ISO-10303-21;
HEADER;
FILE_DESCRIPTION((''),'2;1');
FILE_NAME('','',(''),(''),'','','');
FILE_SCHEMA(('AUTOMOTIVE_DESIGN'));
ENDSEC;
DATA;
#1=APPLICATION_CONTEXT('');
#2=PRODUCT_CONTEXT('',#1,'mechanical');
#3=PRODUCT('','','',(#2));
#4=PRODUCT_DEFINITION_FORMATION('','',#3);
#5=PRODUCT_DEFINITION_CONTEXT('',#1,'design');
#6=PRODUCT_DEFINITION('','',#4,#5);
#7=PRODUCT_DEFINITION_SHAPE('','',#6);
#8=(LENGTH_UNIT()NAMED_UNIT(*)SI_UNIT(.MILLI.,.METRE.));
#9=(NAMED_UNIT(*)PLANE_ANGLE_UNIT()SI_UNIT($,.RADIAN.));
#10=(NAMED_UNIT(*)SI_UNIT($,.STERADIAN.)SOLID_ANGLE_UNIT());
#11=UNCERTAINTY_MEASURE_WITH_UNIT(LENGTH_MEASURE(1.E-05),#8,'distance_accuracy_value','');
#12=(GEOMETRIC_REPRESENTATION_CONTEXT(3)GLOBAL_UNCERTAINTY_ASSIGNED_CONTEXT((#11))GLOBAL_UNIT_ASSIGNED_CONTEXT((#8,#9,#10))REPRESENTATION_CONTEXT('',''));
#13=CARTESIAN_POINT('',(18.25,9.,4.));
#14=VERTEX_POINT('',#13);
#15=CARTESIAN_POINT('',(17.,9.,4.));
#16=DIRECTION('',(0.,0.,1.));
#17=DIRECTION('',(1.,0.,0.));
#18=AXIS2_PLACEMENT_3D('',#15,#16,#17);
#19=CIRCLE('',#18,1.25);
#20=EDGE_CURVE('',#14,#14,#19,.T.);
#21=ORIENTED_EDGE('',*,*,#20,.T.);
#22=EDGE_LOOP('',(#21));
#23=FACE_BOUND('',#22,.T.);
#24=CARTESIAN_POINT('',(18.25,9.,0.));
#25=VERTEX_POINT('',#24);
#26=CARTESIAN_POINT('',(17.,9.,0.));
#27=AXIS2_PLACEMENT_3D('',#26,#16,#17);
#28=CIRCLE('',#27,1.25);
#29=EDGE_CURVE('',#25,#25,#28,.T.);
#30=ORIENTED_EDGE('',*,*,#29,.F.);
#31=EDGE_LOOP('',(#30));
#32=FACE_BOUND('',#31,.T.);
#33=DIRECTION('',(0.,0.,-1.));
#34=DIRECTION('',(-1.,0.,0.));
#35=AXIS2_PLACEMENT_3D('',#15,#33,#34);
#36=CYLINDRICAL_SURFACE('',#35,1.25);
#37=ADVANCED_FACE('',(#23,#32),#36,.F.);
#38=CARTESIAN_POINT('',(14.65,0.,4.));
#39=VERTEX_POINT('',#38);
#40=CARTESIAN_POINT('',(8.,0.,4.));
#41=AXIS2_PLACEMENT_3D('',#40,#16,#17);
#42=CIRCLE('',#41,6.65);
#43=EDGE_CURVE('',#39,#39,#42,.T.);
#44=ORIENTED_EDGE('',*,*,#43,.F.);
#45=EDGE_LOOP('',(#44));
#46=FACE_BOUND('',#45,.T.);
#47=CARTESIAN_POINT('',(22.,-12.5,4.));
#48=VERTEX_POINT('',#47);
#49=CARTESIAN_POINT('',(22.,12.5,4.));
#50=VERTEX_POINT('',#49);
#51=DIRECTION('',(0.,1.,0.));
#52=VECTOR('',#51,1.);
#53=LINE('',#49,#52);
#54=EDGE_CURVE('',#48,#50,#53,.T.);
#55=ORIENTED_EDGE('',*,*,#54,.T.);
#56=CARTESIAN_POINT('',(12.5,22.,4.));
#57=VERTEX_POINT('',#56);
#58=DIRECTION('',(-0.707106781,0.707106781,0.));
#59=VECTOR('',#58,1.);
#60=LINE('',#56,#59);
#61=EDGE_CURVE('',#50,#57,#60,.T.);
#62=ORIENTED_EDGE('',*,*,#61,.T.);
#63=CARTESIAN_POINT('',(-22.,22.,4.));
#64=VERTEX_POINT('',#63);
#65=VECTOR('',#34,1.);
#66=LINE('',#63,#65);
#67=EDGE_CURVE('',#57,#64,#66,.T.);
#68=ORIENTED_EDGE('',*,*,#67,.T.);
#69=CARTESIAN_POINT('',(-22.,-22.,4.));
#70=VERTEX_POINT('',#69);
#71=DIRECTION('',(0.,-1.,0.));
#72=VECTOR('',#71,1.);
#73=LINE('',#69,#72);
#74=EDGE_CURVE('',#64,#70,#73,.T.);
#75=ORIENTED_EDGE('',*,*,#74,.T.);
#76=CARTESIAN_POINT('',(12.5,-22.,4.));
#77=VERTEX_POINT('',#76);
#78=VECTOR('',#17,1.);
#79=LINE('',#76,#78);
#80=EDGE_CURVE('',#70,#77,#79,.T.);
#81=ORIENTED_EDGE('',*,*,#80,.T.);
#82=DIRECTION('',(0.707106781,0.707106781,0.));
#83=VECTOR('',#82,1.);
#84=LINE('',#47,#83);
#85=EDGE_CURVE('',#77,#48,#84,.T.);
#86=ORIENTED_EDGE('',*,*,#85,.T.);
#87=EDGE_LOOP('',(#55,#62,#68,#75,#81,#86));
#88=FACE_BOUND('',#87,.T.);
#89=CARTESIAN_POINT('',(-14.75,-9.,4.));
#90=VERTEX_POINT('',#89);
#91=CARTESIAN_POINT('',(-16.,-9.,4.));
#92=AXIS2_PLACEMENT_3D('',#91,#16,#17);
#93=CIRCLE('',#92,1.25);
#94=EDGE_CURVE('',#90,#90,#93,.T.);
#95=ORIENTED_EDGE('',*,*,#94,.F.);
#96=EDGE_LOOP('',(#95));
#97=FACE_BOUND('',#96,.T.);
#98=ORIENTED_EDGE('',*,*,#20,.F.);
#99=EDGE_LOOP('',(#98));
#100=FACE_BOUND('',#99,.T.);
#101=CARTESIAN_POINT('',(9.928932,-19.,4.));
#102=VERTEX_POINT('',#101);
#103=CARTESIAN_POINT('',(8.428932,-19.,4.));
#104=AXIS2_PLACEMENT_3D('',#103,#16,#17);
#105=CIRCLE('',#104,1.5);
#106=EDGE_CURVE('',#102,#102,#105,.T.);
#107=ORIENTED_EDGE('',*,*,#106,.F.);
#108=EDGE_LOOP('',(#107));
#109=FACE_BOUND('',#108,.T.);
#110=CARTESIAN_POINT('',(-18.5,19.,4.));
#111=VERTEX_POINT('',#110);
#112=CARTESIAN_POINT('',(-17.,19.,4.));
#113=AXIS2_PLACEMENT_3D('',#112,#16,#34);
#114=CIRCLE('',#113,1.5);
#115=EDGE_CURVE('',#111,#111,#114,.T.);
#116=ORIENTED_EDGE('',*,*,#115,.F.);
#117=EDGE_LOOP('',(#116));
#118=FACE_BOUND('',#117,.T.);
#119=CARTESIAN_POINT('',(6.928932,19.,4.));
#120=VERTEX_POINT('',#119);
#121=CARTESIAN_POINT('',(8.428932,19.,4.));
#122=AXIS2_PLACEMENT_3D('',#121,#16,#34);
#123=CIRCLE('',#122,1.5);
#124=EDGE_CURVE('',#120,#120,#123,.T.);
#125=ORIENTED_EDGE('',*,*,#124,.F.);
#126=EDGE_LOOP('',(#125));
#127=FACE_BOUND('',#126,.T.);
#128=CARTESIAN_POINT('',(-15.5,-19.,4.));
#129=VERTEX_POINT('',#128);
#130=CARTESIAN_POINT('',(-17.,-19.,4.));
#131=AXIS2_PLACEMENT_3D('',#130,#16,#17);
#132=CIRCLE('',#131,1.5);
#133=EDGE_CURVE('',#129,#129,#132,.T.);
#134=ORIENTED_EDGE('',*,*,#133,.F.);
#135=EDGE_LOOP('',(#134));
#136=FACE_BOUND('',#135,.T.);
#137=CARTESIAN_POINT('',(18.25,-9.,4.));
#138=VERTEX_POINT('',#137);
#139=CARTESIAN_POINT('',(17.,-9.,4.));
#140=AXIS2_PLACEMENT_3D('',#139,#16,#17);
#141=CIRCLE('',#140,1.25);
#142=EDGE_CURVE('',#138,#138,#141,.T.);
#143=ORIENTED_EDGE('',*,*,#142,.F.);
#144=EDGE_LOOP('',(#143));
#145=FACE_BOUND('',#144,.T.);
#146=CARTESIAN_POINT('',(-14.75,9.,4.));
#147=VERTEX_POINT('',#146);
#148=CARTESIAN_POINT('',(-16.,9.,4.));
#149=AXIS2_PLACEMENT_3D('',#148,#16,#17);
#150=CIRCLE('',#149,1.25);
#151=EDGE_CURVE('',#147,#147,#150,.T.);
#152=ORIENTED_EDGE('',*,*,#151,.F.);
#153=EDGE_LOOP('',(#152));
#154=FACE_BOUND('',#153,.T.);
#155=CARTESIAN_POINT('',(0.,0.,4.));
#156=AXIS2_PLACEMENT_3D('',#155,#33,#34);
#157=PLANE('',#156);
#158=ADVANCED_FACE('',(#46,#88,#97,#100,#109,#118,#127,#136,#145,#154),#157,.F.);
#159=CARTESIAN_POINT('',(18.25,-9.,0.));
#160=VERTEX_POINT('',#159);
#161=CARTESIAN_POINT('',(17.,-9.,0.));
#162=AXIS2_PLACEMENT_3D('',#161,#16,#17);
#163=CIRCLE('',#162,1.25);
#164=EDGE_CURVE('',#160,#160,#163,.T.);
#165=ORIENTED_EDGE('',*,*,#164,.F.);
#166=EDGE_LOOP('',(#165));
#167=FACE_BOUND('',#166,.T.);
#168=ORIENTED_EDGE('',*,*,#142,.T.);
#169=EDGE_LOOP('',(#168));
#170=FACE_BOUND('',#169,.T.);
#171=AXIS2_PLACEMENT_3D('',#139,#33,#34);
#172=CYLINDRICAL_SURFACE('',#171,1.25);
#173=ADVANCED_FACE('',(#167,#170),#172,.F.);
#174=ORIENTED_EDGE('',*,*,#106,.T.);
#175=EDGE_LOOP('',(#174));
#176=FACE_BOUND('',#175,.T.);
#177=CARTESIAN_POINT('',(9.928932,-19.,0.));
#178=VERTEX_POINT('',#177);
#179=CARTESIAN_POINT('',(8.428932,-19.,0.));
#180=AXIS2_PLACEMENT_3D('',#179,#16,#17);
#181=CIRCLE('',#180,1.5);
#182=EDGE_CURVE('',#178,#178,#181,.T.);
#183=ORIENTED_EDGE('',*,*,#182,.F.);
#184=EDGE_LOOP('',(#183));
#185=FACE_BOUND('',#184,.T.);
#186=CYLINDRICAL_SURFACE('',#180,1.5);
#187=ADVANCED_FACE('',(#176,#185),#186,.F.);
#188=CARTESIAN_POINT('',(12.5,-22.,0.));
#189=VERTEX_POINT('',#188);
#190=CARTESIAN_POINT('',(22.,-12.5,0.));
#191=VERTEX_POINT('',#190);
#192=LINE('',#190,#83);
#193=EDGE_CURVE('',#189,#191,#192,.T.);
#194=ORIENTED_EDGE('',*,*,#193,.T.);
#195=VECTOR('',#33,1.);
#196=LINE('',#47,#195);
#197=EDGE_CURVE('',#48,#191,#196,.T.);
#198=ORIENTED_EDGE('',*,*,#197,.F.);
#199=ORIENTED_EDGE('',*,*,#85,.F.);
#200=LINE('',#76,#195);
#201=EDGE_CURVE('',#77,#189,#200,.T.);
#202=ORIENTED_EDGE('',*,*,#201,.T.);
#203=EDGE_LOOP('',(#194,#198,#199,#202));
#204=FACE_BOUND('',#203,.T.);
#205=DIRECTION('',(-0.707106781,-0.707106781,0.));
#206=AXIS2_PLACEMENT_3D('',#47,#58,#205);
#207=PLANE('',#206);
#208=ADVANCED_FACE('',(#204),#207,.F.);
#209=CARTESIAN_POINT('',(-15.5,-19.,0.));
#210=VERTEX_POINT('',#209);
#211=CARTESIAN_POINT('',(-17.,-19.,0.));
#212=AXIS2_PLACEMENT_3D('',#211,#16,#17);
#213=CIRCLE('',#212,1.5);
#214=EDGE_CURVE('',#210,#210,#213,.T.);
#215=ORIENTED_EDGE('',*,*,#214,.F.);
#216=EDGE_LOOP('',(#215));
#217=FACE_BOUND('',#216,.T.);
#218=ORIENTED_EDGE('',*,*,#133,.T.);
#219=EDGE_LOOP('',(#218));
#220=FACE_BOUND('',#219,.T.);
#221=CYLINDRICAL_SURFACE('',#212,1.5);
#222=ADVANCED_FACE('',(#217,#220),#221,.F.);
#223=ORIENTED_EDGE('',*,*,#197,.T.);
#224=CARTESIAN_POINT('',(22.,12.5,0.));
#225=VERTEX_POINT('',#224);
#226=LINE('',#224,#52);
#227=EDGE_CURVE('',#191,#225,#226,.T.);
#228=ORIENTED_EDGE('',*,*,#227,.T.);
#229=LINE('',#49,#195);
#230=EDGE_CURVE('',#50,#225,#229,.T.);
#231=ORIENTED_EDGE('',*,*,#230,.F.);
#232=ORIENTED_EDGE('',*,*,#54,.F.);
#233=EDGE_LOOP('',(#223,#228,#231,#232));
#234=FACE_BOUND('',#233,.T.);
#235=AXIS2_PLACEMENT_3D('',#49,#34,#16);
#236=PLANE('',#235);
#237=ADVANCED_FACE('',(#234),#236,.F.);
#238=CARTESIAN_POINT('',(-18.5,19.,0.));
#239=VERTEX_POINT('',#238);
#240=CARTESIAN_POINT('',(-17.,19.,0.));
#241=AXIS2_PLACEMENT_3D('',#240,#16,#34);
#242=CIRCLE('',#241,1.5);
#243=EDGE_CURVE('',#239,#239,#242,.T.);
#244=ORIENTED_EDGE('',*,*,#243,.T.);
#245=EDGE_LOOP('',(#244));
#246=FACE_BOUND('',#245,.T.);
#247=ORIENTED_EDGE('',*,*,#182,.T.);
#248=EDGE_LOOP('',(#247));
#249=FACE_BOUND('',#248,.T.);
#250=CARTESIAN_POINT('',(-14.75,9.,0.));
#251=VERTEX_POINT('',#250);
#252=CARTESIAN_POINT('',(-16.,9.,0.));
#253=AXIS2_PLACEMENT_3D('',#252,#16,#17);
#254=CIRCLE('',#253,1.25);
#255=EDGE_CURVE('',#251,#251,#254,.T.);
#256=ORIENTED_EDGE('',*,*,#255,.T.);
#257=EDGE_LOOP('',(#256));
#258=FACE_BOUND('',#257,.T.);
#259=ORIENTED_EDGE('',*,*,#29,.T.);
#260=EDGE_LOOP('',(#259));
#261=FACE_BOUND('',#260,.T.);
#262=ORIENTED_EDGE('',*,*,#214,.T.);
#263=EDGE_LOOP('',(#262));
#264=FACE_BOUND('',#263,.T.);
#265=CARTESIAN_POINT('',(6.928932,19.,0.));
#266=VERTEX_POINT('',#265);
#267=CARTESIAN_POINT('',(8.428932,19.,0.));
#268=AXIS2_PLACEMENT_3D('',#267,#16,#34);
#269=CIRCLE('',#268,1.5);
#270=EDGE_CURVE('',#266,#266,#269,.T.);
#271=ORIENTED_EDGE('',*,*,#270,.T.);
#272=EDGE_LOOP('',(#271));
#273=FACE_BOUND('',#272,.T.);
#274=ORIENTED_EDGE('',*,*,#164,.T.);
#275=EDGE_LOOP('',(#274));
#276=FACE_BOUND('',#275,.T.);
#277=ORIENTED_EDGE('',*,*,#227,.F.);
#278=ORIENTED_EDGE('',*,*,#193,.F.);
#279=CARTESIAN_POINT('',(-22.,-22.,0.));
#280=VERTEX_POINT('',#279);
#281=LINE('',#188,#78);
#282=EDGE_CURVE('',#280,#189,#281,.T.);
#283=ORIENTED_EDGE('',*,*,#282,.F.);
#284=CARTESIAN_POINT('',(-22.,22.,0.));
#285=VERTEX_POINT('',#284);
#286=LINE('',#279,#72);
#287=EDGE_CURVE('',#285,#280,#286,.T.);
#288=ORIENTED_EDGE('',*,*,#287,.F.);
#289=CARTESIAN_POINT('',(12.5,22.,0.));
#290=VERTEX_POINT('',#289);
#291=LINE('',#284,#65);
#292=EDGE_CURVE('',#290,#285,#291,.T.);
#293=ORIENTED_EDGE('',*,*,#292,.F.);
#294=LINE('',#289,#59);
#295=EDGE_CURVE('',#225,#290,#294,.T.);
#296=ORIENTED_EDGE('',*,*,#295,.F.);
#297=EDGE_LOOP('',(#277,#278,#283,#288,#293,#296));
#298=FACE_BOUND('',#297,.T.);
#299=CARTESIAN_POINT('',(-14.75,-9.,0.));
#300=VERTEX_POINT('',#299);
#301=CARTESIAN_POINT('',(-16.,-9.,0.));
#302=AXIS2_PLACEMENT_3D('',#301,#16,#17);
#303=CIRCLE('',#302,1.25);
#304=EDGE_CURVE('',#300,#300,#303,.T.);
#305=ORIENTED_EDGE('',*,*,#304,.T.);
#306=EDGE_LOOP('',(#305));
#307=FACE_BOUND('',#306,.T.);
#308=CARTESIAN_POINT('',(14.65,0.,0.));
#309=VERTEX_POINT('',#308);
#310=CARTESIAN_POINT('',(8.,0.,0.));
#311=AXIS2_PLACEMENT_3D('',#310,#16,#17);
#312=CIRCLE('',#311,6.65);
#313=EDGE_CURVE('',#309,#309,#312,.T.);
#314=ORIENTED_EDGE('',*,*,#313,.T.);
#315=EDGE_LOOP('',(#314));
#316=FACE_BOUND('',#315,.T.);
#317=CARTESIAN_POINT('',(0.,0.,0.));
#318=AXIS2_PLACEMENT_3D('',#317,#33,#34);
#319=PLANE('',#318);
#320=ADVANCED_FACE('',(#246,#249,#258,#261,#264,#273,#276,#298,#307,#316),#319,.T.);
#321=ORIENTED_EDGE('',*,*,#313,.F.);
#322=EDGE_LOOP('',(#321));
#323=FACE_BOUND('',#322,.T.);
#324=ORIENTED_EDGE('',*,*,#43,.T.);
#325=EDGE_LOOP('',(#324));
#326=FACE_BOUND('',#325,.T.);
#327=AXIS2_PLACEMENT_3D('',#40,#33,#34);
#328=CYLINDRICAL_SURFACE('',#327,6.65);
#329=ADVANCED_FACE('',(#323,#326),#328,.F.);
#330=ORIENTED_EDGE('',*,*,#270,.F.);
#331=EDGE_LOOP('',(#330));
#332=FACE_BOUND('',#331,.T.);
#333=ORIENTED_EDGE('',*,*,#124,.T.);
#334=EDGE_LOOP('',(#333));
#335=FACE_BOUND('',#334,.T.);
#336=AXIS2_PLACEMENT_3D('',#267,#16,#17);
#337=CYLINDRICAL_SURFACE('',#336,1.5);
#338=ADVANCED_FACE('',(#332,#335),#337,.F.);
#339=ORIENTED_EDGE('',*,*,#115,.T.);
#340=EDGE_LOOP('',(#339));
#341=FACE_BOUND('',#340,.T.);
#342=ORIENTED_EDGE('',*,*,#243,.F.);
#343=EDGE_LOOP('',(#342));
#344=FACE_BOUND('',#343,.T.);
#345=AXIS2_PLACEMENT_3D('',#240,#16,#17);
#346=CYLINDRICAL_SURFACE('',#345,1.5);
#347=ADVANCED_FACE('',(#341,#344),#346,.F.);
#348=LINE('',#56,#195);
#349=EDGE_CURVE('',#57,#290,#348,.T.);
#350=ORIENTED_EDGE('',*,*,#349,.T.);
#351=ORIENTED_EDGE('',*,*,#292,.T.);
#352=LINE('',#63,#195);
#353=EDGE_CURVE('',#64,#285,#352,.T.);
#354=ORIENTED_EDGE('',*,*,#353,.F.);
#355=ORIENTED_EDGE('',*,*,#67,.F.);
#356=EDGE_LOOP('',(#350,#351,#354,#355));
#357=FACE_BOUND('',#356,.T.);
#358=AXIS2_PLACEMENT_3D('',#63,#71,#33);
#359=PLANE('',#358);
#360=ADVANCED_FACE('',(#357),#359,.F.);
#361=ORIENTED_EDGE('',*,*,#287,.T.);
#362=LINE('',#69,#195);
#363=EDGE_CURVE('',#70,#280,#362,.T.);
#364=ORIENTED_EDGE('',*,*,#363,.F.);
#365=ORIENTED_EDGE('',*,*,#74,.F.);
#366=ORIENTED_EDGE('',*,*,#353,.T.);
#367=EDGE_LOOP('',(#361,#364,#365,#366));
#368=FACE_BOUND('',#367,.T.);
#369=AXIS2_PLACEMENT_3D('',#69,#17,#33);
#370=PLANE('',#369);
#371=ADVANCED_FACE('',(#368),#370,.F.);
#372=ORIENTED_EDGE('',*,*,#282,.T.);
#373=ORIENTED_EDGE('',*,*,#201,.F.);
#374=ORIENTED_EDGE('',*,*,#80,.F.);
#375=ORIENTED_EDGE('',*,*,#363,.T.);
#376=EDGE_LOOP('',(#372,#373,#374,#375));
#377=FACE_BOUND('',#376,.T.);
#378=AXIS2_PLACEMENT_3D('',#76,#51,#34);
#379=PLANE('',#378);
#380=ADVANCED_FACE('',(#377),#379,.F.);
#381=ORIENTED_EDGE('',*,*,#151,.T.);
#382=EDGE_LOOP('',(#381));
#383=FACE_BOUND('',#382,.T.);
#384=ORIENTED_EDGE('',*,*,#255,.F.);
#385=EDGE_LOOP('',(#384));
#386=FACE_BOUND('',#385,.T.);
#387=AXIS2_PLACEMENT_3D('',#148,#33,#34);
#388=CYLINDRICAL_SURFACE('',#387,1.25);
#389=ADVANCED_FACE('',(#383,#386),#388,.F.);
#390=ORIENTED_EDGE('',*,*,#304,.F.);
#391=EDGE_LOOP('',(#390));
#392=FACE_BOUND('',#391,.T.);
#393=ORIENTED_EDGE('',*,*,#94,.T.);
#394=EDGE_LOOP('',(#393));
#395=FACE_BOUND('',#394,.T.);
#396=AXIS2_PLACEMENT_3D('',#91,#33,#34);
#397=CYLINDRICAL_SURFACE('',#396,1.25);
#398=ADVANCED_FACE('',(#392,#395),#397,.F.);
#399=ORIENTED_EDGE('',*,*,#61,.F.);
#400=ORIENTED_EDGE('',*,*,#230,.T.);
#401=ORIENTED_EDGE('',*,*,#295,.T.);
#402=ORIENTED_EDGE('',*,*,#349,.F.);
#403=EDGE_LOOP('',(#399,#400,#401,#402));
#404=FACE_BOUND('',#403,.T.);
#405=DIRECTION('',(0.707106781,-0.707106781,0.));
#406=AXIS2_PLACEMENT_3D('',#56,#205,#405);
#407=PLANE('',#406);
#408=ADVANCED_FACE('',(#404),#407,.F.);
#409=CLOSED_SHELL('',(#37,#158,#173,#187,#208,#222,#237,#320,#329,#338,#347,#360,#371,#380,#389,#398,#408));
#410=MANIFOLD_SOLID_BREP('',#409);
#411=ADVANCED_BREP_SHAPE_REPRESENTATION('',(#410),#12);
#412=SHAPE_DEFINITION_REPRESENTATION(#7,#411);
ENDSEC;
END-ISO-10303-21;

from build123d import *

# Parameters (mm, degrees)
SKETCH1_R           = 6.65
SKETCH1_R_2         = 1.25
BOSS_EXTRUDE1_DEPTH = 4
SKETCH2_R           = 1.5
CUT_EXTRUDE1_DEPTH  = 5


with BuildPart() as part:
    # Sketch1 → Boss-Extrude1 (new body)
    with BuildSketch(Plane.XY):
        Polygon((22, 12.5), (22, -12.5), (12.5, -22), (-22, -22), (-22, 22), (12.5, 22), align=None)
        with Locations((8, 0)):
            Circle(SKETCH1_R, mode=Mode.SUBTRACT)
        with Locations((17, 9)):
            Circle(SKETCH1_R_2, mode=Mode.SUBTRACT)
        with Locations((17, -9)):
            Circle(SKETCH1_R_2, mode=Mode.SUBTRACT)
        with Locations((-16, 9)):
            Circle(SKETCH1_R_2, mode=Mode.SUBTRACT)
        with Locations((-16, -9)):
            Circle(SKETCH1_R_2, mode=Mode.SUBTRACT)
    extrude(amount=BOSS_EXTRUDE1_DEPTH)

    # Sketch2 → Cut-Extrude1 (cut, through all)
    with BuildSketch(Plane.XY.offset(4)):
        with Locations((-17, -19)):
            Circle(SKETCH2_R)
        with Locations((8.428932188, -19)):
            Circle(SKETCH2_R)
        with Locations((-17, 19)):
            Circle(SKETCH2_R)
        with Locations((8.428932188, 19)):
            Circle(SKETCH2_R)
    extrude(amount=-CUT_EXTRUDE1_DEPTH, mode=Mode.SUBTRACT)


solid = part.part
